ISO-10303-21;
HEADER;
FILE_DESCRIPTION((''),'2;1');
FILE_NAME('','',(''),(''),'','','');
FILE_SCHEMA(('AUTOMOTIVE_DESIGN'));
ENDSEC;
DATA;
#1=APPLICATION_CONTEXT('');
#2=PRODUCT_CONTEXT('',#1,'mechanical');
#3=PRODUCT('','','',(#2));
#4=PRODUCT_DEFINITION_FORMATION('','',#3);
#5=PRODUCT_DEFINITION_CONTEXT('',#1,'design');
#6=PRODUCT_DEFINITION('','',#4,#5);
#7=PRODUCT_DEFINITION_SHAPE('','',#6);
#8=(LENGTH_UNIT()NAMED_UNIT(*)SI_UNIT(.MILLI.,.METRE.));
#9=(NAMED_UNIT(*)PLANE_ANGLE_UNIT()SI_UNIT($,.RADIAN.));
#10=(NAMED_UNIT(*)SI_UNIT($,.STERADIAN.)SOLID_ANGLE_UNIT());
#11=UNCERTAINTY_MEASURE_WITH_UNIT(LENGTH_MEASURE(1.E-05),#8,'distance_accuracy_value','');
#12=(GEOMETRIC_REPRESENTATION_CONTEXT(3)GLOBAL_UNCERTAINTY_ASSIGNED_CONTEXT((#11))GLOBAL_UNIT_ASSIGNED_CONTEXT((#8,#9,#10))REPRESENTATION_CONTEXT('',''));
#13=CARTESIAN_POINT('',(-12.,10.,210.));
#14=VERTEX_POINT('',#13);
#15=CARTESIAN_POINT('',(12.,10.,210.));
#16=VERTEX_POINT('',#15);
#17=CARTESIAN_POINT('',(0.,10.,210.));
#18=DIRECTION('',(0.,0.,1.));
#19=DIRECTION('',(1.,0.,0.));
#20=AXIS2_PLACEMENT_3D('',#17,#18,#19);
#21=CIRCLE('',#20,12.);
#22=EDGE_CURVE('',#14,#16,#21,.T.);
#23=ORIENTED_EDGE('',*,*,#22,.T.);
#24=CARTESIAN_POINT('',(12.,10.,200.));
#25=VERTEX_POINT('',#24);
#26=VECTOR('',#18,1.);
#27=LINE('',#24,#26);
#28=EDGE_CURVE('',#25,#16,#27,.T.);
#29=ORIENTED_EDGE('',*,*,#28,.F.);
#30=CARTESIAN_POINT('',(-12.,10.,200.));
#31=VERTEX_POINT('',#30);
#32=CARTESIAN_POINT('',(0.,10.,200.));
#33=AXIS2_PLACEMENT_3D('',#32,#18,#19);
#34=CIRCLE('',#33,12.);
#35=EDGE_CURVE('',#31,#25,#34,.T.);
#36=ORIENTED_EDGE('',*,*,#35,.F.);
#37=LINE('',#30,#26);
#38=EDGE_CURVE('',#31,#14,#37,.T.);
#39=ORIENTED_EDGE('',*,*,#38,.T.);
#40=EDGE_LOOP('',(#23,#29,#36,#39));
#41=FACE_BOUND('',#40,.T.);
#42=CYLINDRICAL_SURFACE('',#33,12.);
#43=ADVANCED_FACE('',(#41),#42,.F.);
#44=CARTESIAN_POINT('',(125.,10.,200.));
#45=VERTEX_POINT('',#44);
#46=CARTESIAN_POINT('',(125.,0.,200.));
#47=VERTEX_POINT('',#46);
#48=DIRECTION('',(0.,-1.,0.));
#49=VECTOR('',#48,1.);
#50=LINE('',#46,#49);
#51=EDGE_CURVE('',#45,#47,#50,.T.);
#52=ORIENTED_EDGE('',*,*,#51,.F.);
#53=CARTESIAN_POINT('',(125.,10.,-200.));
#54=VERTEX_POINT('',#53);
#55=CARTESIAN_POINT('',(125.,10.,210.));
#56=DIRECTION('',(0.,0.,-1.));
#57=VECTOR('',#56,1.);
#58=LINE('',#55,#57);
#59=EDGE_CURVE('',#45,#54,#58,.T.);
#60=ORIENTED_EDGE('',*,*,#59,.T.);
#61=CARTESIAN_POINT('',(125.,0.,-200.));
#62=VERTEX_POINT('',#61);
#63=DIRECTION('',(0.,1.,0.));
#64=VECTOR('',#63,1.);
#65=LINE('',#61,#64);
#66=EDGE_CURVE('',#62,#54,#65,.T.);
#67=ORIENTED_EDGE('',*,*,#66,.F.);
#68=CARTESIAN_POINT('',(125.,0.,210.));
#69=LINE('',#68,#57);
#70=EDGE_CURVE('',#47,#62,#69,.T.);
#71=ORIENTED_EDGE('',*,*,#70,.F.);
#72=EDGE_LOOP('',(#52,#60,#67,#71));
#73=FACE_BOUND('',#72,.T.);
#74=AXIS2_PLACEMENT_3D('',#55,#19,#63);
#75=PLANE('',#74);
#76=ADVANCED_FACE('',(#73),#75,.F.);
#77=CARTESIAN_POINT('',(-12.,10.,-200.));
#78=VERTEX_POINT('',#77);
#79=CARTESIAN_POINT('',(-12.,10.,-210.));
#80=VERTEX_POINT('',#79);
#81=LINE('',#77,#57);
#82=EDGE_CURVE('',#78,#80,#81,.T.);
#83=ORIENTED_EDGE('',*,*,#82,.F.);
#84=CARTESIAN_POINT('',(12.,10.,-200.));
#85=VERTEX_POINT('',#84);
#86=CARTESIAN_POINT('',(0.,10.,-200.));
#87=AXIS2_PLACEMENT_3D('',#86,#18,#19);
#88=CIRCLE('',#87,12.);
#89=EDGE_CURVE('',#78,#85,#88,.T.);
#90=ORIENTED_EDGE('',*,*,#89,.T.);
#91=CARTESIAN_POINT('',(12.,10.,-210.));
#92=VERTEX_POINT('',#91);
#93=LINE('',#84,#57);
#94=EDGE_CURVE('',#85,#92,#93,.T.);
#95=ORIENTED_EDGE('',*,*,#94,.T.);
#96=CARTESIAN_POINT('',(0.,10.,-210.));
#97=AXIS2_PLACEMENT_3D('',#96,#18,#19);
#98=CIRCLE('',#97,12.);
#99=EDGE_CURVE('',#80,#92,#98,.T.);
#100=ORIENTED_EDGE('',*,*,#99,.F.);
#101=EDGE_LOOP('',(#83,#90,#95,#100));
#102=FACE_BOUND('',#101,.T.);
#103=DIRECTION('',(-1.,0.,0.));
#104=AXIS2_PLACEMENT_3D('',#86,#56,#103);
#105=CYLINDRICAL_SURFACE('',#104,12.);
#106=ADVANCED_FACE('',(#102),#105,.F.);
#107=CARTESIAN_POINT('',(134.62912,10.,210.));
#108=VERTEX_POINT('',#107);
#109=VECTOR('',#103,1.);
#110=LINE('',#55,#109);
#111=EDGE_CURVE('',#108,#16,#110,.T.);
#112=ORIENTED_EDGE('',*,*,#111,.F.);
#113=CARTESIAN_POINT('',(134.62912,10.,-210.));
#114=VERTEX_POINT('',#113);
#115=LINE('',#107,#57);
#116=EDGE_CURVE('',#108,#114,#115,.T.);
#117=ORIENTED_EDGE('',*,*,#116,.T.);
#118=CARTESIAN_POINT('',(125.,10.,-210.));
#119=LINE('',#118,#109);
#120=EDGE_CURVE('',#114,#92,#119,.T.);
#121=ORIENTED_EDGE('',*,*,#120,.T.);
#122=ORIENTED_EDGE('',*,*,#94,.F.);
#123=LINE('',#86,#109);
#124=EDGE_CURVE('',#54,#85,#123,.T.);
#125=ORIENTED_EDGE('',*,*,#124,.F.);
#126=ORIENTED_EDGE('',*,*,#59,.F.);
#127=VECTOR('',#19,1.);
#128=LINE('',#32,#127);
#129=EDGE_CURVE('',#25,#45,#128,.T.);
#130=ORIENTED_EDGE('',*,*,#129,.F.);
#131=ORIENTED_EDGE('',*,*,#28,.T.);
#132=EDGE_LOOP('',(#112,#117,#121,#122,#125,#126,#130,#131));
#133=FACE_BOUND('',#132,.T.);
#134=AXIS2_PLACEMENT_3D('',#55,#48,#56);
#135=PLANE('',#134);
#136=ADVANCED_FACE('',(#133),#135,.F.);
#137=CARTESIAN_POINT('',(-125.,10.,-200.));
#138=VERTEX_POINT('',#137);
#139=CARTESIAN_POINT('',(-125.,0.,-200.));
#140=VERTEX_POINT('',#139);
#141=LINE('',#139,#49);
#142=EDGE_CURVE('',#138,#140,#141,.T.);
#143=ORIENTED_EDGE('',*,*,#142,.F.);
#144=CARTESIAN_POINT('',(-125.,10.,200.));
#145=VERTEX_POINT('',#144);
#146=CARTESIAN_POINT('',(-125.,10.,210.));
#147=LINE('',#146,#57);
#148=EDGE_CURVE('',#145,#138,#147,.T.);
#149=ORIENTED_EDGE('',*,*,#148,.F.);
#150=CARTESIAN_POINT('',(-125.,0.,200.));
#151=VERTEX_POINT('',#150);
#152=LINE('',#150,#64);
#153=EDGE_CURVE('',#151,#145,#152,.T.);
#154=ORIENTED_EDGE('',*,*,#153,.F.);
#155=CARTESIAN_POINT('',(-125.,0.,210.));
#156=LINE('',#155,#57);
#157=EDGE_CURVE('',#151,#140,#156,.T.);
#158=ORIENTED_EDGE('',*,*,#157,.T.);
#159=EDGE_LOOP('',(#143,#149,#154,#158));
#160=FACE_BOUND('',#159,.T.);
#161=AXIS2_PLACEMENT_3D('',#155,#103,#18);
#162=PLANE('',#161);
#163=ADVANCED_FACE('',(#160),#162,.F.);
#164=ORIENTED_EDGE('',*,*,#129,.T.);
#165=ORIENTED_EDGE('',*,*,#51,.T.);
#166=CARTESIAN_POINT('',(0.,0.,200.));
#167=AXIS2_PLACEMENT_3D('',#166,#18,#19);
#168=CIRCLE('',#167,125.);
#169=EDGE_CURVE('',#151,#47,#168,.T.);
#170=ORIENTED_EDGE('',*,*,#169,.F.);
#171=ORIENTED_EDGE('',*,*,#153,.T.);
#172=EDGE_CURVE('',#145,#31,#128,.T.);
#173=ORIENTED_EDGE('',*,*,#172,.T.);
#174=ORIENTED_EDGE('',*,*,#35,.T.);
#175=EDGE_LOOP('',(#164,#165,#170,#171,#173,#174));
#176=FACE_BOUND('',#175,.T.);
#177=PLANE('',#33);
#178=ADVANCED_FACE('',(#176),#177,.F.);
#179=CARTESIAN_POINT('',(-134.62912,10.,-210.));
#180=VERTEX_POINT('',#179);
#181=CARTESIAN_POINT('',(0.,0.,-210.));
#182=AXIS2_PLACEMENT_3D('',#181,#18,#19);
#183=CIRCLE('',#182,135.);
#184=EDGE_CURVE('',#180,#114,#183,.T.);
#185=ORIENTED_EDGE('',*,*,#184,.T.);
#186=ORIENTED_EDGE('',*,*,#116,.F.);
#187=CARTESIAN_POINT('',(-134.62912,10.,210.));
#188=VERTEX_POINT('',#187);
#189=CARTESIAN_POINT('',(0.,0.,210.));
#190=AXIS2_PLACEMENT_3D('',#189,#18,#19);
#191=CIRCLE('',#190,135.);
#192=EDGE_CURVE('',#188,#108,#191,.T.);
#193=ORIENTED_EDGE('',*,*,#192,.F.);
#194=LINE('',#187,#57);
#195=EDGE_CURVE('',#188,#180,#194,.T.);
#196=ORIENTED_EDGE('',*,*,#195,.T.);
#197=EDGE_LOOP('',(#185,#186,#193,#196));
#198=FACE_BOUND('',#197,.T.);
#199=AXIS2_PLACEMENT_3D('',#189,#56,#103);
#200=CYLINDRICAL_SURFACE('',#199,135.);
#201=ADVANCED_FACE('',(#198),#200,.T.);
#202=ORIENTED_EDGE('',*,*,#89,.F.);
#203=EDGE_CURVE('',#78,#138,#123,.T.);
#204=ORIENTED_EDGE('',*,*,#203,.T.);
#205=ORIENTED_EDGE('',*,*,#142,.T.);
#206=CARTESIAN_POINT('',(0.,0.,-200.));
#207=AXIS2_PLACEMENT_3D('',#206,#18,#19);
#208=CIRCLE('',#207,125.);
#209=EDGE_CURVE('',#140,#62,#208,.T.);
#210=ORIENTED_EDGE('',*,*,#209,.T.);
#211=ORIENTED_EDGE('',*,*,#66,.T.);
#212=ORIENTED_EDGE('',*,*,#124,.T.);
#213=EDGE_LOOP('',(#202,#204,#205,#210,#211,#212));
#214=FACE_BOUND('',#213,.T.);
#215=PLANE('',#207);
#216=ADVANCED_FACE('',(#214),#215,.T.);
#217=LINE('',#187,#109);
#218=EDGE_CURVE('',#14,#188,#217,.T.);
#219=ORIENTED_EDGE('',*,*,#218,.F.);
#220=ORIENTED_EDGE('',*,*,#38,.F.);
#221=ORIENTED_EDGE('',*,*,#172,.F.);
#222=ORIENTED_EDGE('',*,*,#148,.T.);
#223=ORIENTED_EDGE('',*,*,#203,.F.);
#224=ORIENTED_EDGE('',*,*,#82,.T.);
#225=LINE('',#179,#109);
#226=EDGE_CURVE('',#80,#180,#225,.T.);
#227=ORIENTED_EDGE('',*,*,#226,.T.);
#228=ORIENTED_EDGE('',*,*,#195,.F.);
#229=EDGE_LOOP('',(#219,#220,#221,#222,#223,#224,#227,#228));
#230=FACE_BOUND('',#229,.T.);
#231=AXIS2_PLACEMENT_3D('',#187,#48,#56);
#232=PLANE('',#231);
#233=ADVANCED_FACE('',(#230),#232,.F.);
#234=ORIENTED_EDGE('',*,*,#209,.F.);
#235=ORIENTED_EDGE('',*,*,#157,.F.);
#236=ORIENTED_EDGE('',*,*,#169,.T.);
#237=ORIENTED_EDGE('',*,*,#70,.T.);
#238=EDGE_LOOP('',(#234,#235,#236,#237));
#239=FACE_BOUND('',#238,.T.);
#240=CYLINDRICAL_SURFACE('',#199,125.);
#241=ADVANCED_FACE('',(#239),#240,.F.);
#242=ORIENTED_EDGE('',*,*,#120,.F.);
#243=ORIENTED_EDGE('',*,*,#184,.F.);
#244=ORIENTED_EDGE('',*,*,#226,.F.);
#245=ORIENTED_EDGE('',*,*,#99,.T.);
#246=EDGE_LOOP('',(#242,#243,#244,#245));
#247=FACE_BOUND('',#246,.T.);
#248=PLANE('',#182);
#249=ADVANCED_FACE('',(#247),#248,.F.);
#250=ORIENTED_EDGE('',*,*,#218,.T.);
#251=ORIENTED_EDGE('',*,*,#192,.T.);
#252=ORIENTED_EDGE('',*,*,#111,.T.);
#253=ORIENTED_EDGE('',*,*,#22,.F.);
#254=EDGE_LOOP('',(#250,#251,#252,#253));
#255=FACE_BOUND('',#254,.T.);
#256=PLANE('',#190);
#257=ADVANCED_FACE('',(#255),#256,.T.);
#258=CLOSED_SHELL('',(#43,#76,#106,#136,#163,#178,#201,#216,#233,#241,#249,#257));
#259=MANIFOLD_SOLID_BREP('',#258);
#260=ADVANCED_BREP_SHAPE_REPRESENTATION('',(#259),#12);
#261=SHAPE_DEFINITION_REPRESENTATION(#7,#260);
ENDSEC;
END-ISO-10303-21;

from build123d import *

# Parameters (mm, degrees)
BOSS_EXTRUDE1_DEPTH = 210
BOSS_EXTRUDE2_START = 210
BOSS_EXTRUDE2_DEPTH = 10
BOSS_EXTRUDE3_START = -210
BOSS_EXTRUDE3_DEPTH = 10


with BuildPart() as part:
    # Sketch1 → Boss-Extrude1 (new body, symmetric)
    with BuildSketch(Plane.XY):
        with BuildLine():
            Line((-134.629120178, 10), (-125, 10))
            Line((-125, 10), (-125, 0))
            ThreePointArc((-125, 0), (0, -125), (125, 0))
            Line((125, 0), (125, 10))
            Line((125, 10), (134.629120178, 10))
            ThreePointArc((134.629120178, 10), (0, -135), (-134.629120178, 10))
        make_face()
    extrude(amount=BOSS_EXTRUDE1_DEPTH, both=True)

    # Sketch2 → Boss-Extrude2 (add)
    with BuildSketch(Plane.XY.offset(BOSS_EXTRUDE2_START)):
        with BuildLine():
            Line((-125, 10), (-12, 10))
            ThreePointArc((-12, 10), (0, -2), (12, 10))
            Line((12, 10), (125, 10))
            Line((125, 10), (125, 0))
            ThreePointArc((125, 0), (0, -125), (-125, 0))
            Line((-125, 0), (-125, 10))
        make_face()
    extrude(amount=-BOSS_EXTRUDE2_DEPTH)

    # Sketch2<2> → Boss-Extrude3 (add)
    with BuildSketch(Plane.XY.offset(BOSS_EXTRUDE3_START)):
        with BuildLine():
            Line((-12, 10), (-125, 10))
            Line((-125, 10), (-125, 0))
            ThreePointArc((-125, 0), (0, -125), (125, 0))
            Line((125, 0), (125, 10))
            Line((125, 10), (12, 10))
            ThreePointArc((12, 10), (0, -2), (-12, 10))
        make_face()
        with BuildLine():
            Line((-125, 0), (-125, 10))
            Line((-125, 10), (-134.629120178, 10))
            ThreePointArc((-134.629120178, 10), (0, -135), (134.629120178, 10))
            Line((134.629120178, 10), (125, 10))
            Line((125, 10), (125, 0))
            ThreePointArc((125, 0), (0, -125), (-125, 0))
        make_face()
    extrude(amount=BOSS_EXTRUDE3_DEPTH)


solid = part.part
